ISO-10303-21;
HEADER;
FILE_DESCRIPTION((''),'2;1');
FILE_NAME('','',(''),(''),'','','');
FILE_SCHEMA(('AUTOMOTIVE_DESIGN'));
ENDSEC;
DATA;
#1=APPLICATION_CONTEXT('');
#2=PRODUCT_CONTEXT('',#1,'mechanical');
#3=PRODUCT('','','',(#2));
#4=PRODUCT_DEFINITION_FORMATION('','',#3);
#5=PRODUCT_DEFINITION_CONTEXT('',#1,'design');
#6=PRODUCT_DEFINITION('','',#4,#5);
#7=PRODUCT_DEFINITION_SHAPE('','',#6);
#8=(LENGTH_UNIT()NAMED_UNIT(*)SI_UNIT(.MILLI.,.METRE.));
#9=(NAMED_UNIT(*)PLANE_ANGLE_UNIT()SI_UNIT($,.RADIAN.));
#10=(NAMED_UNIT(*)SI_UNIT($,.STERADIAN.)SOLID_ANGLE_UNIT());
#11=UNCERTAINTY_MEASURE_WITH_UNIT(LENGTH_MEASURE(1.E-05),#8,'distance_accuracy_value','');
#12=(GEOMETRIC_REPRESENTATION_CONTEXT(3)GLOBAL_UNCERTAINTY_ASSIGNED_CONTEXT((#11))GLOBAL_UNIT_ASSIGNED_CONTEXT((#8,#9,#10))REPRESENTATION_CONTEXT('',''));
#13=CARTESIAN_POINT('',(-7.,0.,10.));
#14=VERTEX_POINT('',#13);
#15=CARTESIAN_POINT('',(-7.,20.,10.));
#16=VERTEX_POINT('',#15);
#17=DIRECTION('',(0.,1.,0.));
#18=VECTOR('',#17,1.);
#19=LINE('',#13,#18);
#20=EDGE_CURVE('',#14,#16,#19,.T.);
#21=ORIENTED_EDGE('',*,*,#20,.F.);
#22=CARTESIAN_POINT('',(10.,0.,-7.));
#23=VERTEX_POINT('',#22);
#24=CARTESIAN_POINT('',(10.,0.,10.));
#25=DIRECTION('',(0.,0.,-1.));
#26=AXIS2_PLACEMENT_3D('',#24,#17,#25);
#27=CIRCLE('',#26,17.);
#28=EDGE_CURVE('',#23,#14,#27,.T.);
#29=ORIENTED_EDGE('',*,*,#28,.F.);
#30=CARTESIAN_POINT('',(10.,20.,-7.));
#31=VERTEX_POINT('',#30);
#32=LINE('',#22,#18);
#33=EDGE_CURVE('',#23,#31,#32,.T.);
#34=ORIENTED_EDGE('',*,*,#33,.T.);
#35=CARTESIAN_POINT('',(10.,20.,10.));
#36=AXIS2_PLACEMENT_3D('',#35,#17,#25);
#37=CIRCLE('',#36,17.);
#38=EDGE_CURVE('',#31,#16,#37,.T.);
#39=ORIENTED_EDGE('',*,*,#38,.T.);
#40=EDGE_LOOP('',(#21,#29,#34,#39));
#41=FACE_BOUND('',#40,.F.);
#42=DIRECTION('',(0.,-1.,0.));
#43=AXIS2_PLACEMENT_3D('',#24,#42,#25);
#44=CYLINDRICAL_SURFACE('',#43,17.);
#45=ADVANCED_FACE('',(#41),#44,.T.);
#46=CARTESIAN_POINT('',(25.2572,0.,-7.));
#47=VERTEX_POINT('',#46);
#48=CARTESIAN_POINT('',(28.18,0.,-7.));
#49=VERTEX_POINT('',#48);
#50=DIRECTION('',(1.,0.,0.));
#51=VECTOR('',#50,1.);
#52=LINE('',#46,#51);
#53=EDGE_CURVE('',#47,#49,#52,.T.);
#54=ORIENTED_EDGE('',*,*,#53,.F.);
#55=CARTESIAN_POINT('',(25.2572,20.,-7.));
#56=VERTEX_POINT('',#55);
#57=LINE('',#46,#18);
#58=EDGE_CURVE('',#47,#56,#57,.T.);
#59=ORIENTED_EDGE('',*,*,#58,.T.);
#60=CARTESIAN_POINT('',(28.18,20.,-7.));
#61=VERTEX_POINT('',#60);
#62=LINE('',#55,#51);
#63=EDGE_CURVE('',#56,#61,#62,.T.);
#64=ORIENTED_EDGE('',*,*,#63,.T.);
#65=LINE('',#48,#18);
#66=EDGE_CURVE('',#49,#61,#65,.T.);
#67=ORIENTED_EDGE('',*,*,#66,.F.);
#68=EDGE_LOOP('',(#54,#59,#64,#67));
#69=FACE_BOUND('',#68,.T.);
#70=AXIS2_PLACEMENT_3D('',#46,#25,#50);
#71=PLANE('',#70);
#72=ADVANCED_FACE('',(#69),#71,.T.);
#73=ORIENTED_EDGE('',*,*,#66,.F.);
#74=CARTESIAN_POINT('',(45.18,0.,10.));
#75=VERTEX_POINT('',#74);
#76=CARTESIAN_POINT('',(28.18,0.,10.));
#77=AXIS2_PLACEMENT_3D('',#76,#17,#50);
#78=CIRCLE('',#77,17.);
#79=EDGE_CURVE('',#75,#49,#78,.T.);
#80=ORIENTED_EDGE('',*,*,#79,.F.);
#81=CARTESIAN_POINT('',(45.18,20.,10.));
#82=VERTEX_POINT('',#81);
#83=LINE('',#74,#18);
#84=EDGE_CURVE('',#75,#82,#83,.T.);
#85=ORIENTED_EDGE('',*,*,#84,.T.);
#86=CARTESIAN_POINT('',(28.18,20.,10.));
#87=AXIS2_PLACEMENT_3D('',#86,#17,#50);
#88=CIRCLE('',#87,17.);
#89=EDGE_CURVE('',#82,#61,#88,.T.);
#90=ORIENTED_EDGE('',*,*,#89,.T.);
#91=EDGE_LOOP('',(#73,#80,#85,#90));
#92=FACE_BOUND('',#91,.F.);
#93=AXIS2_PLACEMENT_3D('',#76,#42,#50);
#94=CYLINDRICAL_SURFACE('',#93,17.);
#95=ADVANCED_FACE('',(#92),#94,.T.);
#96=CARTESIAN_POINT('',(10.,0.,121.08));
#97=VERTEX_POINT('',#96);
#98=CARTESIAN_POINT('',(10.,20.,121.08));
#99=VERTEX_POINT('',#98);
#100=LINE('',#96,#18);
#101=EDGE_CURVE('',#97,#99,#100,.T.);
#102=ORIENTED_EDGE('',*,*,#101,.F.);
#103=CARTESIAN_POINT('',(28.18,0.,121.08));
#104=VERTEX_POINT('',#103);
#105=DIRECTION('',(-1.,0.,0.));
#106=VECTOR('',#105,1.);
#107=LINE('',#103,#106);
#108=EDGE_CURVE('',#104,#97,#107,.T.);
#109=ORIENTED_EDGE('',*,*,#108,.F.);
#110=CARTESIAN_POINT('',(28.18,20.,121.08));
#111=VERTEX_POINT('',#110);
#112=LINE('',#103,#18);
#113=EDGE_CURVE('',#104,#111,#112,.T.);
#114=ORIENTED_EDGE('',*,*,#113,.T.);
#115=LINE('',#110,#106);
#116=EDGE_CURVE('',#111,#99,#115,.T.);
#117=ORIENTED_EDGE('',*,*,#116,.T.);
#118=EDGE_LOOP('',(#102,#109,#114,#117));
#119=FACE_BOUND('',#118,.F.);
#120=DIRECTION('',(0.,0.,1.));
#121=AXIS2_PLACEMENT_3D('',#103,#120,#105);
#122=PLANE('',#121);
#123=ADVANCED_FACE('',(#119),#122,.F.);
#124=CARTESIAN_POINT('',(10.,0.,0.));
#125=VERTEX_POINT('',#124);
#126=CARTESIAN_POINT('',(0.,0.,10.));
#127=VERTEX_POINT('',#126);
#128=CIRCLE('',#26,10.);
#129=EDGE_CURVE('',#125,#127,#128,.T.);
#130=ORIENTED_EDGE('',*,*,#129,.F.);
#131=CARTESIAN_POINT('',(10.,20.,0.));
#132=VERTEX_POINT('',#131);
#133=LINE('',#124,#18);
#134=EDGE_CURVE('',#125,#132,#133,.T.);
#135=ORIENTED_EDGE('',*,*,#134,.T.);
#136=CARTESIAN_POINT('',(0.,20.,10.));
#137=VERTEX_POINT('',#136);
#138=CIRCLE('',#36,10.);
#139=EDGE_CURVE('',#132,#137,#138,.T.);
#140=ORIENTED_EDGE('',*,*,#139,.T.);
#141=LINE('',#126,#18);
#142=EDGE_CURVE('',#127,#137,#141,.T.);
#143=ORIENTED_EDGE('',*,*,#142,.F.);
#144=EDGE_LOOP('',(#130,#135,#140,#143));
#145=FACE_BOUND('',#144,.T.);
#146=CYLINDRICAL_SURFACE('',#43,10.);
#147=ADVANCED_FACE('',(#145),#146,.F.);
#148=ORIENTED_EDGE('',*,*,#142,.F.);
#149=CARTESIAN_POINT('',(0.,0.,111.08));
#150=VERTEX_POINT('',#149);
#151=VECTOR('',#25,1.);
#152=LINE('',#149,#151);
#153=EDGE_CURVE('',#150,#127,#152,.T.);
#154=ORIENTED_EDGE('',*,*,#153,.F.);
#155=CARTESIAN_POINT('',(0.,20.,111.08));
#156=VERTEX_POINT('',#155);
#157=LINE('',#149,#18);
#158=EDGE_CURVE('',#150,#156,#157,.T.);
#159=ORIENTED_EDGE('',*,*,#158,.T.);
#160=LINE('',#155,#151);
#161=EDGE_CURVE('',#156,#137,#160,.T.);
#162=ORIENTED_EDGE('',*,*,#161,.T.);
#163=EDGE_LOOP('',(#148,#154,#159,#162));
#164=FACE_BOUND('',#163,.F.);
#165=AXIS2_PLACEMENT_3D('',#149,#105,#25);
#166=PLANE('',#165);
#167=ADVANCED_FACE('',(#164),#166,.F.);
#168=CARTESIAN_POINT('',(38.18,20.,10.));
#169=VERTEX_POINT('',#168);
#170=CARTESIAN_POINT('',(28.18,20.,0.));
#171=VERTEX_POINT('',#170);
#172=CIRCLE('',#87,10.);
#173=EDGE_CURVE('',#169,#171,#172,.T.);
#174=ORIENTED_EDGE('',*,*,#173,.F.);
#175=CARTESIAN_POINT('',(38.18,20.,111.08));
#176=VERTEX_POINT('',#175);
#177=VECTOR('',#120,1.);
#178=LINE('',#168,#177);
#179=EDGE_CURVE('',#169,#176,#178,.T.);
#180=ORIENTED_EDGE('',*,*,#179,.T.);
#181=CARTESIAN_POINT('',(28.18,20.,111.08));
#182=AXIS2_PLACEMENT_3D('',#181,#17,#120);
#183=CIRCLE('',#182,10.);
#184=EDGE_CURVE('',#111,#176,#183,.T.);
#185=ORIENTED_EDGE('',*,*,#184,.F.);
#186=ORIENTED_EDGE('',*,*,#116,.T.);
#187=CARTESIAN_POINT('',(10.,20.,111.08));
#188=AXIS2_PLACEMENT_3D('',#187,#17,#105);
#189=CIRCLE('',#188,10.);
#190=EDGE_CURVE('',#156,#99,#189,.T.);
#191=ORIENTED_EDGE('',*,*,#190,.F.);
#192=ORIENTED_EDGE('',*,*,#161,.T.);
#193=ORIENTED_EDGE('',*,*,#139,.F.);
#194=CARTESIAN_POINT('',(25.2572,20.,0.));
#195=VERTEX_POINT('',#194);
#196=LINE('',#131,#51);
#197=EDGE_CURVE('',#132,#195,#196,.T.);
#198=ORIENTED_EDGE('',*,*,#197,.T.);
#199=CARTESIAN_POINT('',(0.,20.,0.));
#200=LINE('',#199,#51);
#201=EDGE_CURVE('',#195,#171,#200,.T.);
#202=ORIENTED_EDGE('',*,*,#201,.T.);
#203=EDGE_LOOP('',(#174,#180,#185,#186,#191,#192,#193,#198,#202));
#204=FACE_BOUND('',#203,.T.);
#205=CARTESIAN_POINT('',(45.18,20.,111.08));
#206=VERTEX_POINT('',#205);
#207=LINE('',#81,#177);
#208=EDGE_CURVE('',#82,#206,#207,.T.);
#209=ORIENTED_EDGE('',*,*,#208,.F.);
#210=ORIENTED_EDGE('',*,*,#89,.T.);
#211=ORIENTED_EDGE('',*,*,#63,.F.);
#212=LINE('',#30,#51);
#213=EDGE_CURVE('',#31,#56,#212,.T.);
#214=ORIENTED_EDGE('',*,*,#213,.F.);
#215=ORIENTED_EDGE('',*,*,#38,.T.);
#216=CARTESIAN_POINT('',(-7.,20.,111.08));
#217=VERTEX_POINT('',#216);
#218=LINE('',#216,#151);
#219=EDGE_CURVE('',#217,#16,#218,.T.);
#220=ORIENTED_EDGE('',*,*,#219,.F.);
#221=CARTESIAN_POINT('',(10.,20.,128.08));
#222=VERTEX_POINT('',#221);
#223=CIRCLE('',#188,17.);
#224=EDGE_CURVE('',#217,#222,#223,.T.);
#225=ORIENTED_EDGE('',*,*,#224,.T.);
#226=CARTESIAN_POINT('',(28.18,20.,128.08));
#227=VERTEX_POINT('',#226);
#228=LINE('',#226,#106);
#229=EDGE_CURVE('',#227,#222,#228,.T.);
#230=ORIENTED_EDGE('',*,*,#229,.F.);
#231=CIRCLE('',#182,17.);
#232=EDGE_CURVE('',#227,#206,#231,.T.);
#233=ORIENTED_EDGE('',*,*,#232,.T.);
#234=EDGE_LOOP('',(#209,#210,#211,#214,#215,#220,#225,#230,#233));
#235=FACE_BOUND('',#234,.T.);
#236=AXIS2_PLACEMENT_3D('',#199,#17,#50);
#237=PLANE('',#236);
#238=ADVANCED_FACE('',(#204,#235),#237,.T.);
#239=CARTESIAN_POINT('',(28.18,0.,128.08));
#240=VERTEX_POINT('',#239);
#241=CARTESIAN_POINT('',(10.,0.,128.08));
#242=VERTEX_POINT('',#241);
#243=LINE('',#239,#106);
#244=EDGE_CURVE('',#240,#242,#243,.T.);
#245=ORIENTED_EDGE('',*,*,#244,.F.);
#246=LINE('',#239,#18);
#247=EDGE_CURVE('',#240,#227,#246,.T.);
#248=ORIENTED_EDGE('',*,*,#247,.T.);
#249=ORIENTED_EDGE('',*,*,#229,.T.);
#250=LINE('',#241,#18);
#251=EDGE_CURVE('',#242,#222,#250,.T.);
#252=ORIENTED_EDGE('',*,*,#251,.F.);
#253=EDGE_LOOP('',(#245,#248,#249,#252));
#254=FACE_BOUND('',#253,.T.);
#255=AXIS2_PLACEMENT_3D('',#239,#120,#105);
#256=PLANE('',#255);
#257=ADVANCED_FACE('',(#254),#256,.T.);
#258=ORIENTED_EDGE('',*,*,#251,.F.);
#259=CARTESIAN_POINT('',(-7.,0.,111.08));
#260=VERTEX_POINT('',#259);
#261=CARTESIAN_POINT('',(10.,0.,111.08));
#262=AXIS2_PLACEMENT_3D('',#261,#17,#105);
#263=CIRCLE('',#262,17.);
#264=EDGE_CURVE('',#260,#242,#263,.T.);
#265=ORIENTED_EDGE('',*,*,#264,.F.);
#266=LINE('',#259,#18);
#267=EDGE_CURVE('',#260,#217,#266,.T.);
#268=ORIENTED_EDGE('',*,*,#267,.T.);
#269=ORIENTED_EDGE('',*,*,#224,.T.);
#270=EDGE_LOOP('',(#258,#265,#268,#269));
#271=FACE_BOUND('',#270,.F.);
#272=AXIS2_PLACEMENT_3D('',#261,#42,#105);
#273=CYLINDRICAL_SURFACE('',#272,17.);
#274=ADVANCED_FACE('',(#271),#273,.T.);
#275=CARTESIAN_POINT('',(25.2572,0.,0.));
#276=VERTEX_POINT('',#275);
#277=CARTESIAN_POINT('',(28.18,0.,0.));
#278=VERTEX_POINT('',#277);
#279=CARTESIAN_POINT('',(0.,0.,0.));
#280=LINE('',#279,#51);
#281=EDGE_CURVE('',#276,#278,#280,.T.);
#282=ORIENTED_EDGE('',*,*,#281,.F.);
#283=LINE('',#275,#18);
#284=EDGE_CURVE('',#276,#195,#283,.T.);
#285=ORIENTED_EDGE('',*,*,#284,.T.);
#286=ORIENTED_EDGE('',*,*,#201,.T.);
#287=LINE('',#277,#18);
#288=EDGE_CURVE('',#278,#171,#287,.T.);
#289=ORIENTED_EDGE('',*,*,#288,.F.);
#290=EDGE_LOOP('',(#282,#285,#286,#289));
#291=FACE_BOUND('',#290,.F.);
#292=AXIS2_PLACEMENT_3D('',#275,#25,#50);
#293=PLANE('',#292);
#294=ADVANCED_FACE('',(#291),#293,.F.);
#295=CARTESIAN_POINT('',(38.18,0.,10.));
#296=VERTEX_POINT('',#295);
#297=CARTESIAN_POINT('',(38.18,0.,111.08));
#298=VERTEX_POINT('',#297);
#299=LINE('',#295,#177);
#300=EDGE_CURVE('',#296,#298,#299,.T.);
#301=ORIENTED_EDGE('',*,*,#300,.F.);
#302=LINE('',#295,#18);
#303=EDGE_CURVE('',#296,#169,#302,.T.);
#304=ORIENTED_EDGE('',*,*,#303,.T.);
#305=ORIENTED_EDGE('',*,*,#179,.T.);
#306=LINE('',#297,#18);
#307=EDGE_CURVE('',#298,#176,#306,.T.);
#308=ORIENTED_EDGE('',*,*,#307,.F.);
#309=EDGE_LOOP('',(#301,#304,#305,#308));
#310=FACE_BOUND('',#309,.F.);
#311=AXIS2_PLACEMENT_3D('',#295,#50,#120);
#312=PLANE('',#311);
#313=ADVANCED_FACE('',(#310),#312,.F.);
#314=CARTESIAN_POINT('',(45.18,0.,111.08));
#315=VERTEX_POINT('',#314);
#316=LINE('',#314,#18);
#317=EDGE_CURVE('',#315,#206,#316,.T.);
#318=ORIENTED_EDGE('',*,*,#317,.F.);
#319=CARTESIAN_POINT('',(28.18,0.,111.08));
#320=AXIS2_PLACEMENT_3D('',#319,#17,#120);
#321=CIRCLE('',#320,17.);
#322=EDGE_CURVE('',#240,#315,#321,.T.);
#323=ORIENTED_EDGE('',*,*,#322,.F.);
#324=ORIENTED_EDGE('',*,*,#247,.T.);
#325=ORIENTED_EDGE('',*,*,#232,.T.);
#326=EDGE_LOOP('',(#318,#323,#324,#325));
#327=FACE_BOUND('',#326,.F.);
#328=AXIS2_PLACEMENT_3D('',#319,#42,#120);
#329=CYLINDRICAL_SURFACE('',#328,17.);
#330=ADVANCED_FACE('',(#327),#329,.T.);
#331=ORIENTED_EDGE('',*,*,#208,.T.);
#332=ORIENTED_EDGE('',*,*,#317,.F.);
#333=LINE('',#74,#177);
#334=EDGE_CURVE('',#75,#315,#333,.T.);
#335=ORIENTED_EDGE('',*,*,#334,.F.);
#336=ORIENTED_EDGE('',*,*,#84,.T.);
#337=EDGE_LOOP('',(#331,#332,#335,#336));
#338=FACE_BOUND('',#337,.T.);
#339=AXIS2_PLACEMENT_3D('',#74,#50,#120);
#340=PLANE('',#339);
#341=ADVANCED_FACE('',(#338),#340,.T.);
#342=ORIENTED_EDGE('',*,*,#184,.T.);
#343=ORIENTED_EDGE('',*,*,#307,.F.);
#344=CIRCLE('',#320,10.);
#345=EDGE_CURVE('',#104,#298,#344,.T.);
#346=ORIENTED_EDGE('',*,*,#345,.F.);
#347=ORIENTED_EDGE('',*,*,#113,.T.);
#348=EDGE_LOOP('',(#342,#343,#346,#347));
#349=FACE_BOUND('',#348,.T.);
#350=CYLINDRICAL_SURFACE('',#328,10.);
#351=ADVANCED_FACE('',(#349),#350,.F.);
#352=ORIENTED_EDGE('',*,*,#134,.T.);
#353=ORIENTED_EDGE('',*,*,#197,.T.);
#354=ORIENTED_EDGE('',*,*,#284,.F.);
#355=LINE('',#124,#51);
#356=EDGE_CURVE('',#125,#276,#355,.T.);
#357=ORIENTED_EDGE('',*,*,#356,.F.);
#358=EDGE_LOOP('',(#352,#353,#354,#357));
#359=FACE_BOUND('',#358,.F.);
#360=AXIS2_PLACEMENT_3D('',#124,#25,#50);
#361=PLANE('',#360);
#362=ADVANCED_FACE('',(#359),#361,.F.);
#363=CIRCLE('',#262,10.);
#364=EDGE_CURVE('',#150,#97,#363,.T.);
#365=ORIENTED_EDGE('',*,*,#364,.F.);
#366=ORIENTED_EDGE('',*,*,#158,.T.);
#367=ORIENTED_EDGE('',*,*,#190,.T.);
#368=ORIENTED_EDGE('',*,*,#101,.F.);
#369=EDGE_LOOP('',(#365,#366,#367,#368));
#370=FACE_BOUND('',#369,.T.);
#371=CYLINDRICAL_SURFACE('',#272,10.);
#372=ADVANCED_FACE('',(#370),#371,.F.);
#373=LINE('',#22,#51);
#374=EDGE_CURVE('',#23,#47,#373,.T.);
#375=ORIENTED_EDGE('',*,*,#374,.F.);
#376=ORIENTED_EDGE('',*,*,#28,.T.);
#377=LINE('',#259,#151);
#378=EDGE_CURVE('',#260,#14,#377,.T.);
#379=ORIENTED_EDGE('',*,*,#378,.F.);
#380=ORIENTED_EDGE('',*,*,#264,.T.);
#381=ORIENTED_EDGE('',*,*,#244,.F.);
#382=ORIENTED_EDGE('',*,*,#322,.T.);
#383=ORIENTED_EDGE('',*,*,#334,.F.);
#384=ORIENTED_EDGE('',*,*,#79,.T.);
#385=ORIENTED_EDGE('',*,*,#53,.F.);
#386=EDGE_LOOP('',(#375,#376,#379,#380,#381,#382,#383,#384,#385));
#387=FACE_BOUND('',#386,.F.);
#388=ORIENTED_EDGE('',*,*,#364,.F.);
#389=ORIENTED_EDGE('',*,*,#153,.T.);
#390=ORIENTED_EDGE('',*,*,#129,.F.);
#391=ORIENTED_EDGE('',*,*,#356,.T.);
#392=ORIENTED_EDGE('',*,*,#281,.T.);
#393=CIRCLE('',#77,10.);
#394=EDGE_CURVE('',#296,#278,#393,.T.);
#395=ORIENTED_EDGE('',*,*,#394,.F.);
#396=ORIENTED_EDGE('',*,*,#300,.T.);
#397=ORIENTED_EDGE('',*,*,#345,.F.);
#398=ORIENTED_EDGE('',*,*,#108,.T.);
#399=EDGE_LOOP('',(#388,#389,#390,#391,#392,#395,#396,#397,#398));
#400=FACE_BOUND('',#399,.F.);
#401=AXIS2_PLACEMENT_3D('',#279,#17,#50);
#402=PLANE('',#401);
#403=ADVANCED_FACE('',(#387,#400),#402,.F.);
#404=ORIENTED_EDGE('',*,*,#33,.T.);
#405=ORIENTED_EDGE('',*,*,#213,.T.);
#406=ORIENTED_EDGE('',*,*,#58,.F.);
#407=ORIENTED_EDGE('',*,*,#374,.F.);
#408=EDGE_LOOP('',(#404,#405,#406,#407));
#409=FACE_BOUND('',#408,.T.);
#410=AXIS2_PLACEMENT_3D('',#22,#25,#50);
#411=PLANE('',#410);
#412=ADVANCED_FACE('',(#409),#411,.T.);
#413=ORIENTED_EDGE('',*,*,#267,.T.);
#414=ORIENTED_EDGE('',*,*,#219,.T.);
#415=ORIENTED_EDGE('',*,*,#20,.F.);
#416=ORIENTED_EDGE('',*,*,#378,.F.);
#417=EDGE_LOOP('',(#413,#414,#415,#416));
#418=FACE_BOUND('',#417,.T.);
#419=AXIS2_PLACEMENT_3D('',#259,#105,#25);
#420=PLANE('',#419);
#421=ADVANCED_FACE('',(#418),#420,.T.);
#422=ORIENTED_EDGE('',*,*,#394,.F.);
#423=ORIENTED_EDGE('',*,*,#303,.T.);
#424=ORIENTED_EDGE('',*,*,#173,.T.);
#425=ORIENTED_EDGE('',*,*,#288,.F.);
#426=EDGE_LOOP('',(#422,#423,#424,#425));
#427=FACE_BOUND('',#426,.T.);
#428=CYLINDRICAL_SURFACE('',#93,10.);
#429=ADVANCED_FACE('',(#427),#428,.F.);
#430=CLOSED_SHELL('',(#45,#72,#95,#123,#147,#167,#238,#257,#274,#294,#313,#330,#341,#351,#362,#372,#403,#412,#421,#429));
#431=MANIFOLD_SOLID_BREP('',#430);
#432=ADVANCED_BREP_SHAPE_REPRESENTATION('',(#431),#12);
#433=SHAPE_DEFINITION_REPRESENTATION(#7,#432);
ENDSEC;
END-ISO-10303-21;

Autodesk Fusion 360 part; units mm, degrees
sketch "Sketch1" plane through (0, 0, 0) normal (0, 1, 0) x (1, 0, 0)
  line L0 (10, 0) -> (25.2572, 0)
  line L1 (0, 0) -> (28.18, 0)
  line L2 (38.18, -10) -> (38.18, -111.08)
  line L3 (28.18, -121.08) -> (10, -121.08)
  line L4 (0, -111.08) -> (0, -10)
  arc A0 (28.18, -121.08) -> (38.18, -111.08) centre (28.18, -111.08) ccw
  arc A1 (0, -111.08) -> (10, -121.08) centre (10, -111.08) ccw
  arc A2 (10, 0) -> (0, -10) centre (10, -10) ccw
  arc A3 (38.18, -10) -> (28.18, 0) centre (28.18, -10) ccw
  line L5 (0, 7) -> (10, 7)
  line L6 (10, 7) -> (25.2572, 7)
  line L7 (25.2572, 7) -> (28.18, 7)
  arc A4 (45.18, -10) -> (28.18, 7) centre (28.18, -10) ccw
  line L8 (45.18, -10) -> (45.18, -111.08)
  arc A5 (28.18, -128.08) -> (45.18, -111.08) centre (28.18, -111.08) ccw
  line L9 (28.18, -128.08) -> (10, -128.08)
  arc A6 (-7, -111.08) -> (10, -128.08) centre (10, -111.08) ccw
  line L10 (-7, -111.08) -> (-7, -10)
  arc A7 (10, 7) -> (-7, -10) centre (10, -10) ccw
  dimension "d1" = 121.08
  dimension "d2" = 38.18
  dimension "d3" = 10
  dimension "d4" = 10
  dimension "d5" = 7
extrude "Extrude1" add sketch "Sketch1" along normal blind 20
sketch "Sketch2" plane through (0, 0, 0) normal (0, -1, 0) x (1, 0, 0)
  arc A0 (38.18, 111.08) -> (28.18, 121.08) centre (28.18, 111.08) ccw
  line L0 (38.18, 111.08) -> (38.18, 10)
  arc A1 (28.18, 0) -> (38.18, 10) centre (28.18, 10) ccw
  line L1 (28.18, 0) -> (10, 0)
  arc A2 (0, 10) -> (10, 0) centre (10, 10) ccw
  line L2 (0, 10) -> (0, 111.08)
  arc A3 (10, 121.08) -> (0, 111.08) centre (10, 111.08) ccw
  line L3 (10, 121.08) -> (28.18, 121.08)
  line L4 (10, -7) -> (28.18, -7)
  arc A4 (28.18, -7) -> (45.18, 10) centre (28.18, 10) ccw
  line L5 (45.18, 10) -> (45.18, 111.08)
  arc A5 (45.18, 111.08) -> (28.18, 128.08) centre (28.18, 111.08) ccw
  line L6 (28.18, 128.08) -> (10, 128.08)
  arc A6 (10, 128.08) -> (-7, 111.08) centre (10, 111.08) ccw
  line L7 (-7, 111.08) -> (-7, 10)
  arc A7 (-7, 10) -> (10, -7) centre (10, 10) ccw
  line L8 (0, 0) -> (38.18, 0)
  line L9 (38.18, 0) -> (38.18, 123.1008)
  line L10 (38.18, 123.1008) -> (0, 123.1008)
  line L11 (0, 123.1008) -> (0, 0)
